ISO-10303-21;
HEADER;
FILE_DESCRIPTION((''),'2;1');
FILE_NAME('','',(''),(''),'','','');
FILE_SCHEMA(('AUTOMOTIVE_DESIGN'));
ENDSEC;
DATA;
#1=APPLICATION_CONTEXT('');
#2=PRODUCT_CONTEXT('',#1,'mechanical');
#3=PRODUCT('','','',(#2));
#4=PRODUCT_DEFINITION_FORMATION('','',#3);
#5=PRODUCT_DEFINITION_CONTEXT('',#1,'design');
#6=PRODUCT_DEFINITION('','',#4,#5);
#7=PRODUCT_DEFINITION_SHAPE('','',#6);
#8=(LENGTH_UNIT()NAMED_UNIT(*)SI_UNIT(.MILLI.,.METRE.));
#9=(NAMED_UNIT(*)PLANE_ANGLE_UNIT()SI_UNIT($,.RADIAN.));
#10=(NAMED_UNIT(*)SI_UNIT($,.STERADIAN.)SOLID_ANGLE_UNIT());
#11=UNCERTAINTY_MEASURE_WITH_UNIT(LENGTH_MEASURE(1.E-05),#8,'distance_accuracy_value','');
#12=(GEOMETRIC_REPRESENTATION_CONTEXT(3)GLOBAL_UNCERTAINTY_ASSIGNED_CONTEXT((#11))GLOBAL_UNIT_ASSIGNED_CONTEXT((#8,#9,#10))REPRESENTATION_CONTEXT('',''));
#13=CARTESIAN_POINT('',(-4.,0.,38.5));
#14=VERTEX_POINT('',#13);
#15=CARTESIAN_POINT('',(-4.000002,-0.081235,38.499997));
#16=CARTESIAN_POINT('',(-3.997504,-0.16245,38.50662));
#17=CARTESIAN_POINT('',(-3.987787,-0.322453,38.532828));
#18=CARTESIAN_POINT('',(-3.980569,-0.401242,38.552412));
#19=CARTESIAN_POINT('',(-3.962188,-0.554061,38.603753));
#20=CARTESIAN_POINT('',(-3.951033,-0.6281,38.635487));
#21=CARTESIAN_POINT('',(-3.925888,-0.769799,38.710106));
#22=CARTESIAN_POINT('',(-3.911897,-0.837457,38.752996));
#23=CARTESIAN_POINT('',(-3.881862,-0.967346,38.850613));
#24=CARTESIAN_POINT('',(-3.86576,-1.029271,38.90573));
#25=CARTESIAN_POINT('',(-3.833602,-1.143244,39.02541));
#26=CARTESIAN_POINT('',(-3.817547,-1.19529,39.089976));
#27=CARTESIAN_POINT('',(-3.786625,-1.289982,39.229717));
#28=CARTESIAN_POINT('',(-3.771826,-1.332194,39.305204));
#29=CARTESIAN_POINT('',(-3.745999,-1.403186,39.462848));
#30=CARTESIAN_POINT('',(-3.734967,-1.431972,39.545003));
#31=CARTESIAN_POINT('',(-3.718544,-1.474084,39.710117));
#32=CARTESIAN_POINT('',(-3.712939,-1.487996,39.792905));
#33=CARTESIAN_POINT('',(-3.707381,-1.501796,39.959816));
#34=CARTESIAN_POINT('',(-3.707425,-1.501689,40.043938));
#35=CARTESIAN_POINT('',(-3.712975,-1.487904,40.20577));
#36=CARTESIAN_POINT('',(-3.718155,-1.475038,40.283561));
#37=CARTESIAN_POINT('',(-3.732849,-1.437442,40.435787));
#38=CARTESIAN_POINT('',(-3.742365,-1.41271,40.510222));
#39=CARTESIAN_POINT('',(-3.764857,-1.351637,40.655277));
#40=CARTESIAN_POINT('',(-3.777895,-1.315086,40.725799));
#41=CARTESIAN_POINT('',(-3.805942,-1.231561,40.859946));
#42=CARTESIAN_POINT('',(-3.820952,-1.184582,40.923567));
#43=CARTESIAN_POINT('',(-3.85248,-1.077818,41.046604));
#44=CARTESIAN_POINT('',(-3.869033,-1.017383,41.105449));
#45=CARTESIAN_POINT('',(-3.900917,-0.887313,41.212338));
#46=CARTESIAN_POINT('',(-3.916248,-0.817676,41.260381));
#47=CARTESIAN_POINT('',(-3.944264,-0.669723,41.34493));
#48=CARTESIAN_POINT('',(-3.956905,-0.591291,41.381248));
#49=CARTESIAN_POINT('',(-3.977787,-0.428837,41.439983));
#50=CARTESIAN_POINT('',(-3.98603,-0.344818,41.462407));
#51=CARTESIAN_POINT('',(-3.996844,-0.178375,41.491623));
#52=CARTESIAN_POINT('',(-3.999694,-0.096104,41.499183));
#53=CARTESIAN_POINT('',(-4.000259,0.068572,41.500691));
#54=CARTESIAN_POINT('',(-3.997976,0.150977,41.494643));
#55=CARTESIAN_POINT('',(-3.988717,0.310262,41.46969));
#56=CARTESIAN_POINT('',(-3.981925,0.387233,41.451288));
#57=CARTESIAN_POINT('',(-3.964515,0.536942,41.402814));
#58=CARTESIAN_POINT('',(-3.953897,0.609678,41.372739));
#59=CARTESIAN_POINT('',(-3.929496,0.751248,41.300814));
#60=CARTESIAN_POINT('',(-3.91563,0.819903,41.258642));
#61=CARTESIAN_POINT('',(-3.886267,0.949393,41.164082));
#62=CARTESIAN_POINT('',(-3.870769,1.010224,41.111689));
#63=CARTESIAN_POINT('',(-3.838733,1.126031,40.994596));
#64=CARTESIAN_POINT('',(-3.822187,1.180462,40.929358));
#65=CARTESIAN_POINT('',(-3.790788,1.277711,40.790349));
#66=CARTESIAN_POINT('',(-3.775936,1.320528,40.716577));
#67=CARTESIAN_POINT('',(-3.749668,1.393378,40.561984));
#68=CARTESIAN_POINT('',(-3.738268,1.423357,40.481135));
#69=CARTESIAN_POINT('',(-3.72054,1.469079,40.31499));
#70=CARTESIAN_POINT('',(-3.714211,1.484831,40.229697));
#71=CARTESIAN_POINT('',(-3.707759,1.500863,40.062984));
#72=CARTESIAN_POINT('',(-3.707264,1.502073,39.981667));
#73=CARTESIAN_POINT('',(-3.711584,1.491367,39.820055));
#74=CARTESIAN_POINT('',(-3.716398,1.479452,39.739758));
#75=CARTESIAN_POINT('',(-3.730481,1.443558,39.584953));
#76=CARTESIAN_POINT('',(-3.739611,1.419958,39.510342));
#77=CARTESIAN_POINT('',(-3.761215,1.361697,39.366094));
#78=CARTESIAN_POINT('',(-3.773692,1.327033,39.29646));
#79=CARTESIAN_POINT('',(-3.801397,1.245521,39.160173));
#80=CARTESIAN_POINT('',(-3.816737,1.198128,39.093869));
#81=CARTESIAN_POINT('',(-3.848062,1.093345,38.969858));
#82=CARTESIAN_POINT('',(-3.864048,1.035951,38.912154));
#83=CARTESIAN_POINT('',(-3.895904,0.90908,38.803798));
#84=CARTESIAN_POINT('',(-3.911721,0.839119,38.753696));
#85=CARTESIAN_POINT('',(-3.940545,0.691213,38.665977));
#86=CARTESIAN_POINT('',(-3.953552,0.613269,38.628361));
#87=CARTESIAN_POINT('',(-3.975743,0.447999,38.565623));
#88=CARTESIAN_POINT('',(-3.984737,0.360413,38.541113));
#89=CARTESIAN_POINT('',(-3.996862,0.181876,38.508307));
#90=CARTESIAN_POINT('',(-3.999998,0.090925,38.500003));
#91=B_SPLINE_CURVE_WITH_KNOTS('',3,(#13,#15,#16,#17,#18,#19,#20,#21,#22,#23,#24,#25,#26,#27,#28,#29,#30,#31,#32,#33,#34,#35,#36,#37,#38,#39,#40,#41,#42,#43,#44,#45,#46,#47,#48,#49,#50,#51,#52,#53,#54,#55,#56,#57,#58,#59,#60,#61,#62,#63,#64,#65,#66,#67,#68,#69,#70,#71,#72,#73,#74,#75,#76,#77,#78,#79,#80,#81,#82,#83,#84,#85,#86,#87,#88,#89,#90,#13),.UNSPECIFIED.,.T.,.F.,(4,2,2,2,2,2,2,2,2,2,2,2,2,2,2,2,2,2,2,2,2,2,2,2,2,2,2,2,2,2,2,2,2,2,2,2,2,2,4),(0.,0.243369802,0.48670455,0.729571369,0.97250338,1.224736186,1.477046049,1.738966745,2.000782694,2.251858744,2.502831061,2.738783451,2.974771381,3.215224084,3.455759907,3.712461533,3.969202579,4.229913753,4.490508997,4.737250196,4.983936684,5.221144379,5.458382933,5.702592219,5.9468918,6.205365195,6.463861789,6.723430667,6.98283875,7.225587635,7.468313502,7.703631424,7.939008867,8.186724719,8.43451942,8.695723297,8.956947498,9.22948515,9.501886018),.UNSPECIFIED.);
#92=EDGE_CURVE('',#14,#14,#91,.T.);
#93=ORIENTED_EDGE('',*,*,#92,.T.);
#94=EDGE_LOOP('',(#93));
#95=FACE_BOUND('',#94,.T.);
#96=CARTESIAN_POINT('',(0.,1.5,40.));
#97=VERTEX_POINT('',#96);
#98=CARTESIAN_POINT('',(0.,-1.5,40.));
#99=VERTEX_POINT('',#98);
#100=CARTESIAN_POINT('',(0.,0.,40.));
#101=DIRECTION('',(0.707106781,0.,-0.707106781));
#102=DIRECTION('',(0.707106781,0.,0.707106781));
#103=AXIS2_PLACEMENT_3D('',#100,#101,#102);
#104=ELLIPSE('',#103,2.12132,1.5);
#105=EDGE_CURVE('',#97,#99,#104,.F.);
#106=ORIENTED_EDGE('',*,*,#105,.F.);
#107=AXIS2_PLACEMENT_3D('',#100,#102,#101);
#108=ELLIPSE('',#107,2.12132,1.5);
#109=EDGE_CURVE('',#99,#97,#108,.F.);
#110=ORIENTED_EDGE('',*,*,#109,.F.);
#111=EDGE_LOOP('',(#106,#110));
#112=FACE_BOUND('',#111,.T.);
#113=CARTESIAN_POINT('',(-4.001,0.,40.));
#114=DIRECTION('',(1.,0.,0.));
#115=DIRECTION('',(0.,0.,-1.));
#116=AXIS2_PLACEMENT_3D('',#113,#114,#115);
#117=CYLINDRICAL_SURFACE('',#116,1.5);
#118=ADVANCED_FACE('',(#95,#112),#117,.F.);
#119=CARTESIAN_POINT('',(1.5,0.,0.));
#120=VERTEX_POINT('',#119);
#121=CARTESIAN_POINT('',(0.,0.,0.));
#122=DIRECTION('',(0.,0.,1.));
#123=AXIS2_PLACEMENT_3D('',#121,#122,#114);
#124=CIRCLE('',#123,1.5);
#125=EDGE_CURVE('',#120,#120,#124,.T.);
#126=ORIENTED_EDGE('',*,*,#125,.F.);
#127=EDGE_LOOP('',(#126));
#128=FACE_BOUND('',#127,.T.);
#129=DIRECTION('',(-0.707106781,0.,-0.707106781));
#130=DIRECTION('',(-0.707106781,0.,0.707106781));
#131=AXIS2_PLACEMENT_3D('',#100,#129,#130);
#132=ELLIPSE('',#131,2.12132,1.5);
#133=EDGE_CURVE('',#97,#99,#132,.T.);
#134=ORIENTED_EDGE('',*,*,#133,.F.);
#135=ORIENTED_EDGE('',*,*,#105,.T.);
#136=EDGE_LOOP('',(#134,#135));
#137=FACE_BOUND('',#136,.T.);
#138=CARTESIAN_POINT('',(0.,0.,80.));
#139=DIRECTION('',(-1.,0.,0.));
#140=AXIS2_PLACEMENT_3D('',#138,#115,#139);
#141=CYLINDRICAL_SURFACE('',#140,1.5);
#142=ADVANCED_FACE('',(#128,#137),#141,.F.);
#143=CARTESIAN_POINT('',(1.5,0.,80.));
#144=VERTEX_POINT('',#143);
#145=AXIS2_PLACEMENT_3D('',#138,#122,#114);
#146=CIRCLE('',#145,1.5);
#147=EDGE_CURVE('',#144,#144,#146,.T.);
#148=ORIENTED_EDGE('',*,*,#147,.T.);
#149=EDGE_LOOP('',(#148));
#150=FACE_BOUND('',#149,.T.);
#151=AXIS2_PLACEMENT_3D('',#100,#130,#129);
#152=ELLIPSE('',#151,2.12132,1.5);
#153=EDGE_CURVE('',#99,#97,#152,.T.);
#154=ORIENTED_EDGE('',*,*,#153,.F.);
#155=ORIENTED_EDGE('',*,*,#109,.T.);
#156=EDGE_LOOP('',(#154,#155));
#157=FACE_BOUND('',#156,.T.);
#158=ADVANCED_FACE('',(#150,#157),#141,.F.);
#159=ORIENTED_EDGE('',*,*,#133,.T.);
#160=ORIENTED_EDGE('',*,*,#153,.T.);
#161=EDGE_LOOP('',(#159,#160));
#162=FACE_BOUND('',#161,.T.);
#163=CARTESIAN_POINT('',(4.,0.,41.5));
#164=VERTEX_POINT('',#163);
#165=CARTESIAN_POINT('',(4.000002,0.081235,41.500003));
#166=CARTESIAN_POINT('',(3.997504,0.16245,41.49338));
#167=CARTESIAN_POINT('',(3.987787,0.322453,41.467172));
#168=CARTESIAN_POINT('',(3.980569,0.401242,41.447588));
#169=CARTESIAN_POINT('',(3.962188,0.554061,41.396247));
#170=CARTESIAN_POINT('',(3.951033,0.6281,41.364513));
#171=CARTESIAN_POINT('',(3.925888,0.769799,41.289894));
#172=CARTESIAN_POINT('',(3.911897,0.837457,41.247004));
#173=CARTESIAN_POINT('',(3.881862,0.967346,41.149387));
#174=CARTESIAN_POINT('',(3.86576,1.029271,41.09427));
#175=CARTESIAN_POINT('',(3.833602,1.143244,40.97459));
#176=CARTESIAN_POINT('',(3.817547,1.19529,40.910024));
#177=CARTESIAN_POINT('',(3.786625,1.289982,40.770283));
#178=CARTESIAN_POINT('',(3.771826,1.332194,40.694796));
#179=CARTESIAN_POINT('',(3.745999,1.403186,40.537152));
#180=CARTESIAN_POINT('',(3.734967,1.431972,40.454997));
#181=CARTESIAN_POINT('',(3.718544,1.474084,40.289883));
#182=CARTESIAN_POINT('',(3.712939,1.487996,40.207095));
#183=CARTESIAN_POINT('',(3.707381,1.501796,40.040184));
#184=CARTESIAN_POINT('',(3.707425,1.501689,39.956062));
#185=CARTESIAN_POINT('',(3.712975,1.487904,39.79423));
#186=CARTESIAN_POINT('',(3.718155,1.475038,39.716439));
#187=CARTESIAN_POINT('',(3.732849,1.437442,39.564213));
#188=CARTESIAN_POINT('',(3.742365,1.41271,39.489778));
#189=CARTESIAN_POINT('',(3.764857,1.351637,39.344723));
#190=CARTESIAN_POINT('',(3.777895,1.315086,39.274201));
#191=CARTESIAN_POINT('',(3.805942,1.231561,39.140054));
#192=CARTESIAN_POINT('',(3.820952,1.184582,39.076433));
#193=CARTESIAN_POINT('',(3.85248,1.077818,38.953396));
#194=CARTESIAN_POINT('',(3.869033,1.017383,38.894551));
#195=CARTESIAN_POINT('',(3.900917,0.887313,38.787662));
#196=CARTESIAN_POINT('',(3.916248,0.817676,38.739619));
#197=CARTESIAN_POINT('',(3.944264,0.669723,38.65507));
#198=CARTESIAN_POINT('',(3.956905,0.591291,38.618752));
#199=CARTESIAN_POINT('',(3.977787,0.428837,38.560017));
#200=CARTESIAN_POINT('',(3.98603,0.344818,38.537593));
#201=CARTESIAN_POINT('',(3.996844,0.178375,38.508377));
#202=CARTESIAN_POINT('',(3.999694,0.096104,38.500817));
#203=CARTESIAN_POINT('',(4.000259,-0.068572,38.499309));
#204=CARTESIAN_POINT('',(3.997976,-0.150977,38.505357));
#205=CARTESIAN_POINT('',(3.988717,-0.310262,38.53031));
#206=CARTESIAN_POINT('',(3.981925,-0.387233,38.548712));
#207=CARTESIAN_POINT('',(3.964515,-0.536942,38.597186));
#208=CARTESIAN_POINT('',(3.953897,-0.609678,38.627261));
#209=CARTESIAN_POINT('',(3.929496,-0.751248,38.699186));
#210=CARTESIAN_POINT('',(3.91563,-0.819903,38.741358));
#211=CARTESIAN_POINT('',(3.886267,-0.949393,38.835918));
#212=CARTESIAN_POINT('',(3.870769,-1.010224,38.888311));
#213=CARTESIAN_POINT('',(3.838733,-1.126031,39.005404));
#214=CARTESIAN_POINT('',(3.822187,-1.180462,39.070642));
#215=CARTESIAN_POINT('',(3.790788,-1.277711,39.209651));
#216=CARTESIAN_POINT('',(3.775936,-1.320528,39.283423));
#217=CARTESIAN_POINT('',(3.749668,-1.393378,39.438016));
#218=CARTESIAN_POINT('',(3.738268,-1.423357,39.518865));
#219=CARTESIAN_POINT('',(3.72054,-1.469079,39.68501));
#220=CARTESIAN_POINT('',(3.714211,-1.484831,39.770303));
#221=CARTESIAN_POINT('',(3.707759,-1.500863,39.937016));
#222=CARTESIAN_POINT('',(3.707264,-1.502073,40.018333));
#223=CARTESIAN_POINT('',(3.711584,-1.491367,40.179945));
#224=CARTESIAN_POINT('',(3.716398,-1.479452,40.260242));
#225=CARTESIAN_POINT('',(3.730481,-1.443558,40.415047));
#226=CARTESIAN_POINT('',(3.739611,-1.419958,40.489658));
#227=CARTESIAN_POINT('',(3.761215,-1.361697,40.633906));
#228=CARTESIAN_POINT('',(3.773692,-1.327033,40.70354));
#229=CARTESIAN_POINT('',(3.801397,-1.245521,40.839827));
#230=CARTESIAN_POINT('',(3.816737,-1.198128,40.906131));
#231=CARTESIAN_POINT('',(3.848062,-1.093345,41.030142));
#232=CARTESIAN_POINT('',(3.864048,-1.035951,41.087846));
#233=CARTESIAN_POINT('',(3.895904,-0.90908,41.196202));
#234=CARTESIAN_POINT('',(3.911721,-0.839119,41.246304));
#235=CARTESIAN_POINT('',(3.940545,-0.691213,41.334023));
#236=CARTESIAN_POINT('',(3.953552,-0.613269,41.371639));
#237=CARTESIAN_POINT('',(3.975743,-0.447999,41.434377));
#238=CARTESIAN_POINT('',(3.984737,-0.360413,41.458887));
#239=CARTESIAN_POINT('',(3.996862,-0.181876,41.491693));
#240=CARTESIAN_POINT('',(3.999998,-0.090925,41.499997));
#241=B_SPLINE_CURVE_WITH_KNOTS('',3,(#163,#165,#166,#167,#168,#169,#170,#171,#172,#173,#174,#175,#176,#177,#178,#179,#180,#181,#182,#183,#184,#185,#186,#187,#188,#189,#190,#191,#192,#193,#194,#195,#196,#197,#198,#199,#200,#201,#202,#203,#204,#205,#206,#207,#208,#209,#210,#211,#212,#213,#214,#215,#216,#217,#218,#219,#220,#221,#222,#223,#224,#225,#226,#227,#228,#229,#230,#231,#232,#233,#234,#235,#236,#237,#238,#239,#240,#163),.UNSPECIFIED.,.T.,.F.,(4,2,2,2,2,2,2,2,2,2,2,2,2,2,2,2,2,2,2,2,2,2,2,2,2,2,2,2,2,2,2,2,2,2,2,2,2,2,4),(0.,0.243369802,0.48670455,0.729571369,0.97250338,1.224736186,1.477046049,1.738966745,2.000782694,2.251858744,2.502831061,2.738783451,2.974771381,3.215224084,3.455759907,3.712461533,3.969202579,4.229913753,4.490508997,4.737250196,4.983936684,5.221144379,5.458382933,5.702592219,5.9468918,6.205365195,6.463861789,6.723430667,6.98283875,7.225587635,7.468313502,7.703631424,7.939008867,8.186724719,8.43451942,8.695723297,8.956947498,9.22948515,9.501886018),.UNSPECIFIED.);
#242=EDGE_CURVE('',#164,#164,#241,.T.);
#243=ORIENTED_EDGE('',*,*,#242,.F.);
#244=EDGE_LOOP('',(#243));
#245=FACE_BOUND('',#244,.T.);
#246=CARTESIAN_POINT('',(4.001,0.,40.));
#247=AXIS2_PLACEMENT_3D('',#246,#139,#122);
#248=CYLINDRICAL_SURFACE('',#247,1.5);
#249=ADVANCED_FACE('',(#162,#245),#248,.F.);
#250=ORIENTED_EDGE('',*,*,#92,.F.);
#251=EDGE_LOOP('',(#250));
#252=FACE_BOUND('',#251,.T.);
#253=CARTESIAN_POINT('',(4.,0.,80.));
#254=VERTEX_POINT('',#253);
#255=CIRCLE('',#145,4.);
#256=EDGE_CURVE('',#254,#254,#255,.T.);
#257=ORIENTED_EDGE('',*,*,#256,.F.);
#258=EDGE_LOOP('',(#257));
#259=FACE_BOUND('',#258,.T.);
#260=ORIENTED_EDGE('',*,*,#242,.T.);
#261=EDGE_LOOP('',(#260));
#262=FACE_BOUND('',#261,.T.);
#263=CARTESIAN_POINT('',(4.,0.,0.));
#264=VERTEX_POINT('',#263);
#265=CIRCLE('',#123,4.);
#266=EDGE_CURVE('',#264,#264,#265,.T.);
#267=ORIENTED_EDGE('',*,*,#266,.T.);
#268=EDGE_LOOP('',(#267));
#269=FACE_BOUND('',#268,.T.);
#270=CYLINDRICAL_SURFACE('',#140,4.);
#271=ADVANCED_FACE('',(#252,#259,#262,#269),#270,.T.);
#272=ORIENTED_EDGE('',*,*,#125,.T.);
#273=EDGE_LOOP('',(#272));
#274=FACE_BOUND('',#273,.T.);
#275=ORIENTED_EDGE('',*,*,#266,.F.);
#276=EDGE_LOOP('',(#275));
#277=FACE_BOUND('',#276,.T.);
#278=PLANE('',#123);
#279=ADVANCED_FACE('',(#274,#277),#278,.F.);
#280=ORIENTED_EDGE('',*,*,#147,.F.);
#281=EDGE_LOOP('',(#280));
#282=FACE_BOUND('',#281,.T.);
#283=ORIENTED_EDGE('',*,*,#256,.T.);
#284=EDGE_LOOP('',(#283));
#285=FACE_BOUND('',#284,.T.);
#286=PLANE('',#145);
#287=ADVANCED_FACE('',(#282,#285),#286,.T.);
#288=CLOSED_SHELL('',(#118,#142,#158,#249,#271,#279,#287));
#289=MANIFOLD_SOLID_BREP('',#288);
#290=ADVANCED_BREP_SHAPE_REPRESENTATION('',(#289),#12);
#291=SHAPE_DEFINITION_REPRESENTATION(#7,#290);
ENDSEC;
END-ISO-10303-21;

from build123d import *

# Parameters (mm, degrees)
ESBO_O1_R                         = 4
ESBO_O1_R_2                       = 1.5
RESSALTO_EXTRUS_O2_DEPTH          = 80
CORTE_EXTRUS_O1_REACH             = 82.2
ESBO_O2_R                         = 1.5
CORTE_EXTRUS_O1_DIRECTION_2_REACH = 82.2


with BuildPart() as part:
    # Esboço1 → Ressalto-extrusão2 (new body)
    with BuildSketch(Plane.XY):
        Circle(ESBO_O1_R)
        Circle(ESBO_O1_R_2, mode=Mode.SUBTRACT)
    extrude(amount=RESSALTO_EXTRUS_O2_DEPTH)

    # Esboço2 → Corte-extrusão1 (cut, up to next)
    with BuildSketch(Plane(origin=(0, 0, 0), x_dir=(0, 0, -1), z_dir=(1, 0, 0)), mode=Mode.PRIVATE) as corte_extrus_o1_sk1:
        with Locations(Location((-40, 0, 0), (0, 0, 180))):
            Circle(ESBO_O2_R)
    corte_extrus_o1_tool1 = extrude(corte_extrus_o1_sk1.sketch, amount=-CORTE_EXTRUS_O1_REACH, mode=Mode.PRIVATE) & part.part
    add(corte_extrus_o1_tool1.solids().sort_by_distance((0, 0, 40))[0], mode=Mode.SUBTRACT)

    # Esboço2 → Corte-extrusão1 direction 2 (cut, up to next)
    with BuildSketch(Plane(origin=(0, 0, 0), x_dir=(0, 0, -1), z_dir=(1, 0, 0)), mode=Mode.PRIVATE) as corte_extrus_o1_direction_2_sk1:
        with Locations(Location((-40, 0, 0), (0, 0, 180))):
            Circle(ESBO_O2_R)
    corte_extrus_o1_direction_2_tool1 = extrude(corte_extrus_o1_direction_2_sk1.sketch, amount=CORTE_EXTRUS_O1_DIRECTION_2_REACH, mode=Mode.PRIVATE) & part.part
    add(corte_extrus_o1_direction_2_tool1.solids().sort_by_distance((0, 0, 40))[0], mode=Mode.SUBTRACT)


solid = part.part
